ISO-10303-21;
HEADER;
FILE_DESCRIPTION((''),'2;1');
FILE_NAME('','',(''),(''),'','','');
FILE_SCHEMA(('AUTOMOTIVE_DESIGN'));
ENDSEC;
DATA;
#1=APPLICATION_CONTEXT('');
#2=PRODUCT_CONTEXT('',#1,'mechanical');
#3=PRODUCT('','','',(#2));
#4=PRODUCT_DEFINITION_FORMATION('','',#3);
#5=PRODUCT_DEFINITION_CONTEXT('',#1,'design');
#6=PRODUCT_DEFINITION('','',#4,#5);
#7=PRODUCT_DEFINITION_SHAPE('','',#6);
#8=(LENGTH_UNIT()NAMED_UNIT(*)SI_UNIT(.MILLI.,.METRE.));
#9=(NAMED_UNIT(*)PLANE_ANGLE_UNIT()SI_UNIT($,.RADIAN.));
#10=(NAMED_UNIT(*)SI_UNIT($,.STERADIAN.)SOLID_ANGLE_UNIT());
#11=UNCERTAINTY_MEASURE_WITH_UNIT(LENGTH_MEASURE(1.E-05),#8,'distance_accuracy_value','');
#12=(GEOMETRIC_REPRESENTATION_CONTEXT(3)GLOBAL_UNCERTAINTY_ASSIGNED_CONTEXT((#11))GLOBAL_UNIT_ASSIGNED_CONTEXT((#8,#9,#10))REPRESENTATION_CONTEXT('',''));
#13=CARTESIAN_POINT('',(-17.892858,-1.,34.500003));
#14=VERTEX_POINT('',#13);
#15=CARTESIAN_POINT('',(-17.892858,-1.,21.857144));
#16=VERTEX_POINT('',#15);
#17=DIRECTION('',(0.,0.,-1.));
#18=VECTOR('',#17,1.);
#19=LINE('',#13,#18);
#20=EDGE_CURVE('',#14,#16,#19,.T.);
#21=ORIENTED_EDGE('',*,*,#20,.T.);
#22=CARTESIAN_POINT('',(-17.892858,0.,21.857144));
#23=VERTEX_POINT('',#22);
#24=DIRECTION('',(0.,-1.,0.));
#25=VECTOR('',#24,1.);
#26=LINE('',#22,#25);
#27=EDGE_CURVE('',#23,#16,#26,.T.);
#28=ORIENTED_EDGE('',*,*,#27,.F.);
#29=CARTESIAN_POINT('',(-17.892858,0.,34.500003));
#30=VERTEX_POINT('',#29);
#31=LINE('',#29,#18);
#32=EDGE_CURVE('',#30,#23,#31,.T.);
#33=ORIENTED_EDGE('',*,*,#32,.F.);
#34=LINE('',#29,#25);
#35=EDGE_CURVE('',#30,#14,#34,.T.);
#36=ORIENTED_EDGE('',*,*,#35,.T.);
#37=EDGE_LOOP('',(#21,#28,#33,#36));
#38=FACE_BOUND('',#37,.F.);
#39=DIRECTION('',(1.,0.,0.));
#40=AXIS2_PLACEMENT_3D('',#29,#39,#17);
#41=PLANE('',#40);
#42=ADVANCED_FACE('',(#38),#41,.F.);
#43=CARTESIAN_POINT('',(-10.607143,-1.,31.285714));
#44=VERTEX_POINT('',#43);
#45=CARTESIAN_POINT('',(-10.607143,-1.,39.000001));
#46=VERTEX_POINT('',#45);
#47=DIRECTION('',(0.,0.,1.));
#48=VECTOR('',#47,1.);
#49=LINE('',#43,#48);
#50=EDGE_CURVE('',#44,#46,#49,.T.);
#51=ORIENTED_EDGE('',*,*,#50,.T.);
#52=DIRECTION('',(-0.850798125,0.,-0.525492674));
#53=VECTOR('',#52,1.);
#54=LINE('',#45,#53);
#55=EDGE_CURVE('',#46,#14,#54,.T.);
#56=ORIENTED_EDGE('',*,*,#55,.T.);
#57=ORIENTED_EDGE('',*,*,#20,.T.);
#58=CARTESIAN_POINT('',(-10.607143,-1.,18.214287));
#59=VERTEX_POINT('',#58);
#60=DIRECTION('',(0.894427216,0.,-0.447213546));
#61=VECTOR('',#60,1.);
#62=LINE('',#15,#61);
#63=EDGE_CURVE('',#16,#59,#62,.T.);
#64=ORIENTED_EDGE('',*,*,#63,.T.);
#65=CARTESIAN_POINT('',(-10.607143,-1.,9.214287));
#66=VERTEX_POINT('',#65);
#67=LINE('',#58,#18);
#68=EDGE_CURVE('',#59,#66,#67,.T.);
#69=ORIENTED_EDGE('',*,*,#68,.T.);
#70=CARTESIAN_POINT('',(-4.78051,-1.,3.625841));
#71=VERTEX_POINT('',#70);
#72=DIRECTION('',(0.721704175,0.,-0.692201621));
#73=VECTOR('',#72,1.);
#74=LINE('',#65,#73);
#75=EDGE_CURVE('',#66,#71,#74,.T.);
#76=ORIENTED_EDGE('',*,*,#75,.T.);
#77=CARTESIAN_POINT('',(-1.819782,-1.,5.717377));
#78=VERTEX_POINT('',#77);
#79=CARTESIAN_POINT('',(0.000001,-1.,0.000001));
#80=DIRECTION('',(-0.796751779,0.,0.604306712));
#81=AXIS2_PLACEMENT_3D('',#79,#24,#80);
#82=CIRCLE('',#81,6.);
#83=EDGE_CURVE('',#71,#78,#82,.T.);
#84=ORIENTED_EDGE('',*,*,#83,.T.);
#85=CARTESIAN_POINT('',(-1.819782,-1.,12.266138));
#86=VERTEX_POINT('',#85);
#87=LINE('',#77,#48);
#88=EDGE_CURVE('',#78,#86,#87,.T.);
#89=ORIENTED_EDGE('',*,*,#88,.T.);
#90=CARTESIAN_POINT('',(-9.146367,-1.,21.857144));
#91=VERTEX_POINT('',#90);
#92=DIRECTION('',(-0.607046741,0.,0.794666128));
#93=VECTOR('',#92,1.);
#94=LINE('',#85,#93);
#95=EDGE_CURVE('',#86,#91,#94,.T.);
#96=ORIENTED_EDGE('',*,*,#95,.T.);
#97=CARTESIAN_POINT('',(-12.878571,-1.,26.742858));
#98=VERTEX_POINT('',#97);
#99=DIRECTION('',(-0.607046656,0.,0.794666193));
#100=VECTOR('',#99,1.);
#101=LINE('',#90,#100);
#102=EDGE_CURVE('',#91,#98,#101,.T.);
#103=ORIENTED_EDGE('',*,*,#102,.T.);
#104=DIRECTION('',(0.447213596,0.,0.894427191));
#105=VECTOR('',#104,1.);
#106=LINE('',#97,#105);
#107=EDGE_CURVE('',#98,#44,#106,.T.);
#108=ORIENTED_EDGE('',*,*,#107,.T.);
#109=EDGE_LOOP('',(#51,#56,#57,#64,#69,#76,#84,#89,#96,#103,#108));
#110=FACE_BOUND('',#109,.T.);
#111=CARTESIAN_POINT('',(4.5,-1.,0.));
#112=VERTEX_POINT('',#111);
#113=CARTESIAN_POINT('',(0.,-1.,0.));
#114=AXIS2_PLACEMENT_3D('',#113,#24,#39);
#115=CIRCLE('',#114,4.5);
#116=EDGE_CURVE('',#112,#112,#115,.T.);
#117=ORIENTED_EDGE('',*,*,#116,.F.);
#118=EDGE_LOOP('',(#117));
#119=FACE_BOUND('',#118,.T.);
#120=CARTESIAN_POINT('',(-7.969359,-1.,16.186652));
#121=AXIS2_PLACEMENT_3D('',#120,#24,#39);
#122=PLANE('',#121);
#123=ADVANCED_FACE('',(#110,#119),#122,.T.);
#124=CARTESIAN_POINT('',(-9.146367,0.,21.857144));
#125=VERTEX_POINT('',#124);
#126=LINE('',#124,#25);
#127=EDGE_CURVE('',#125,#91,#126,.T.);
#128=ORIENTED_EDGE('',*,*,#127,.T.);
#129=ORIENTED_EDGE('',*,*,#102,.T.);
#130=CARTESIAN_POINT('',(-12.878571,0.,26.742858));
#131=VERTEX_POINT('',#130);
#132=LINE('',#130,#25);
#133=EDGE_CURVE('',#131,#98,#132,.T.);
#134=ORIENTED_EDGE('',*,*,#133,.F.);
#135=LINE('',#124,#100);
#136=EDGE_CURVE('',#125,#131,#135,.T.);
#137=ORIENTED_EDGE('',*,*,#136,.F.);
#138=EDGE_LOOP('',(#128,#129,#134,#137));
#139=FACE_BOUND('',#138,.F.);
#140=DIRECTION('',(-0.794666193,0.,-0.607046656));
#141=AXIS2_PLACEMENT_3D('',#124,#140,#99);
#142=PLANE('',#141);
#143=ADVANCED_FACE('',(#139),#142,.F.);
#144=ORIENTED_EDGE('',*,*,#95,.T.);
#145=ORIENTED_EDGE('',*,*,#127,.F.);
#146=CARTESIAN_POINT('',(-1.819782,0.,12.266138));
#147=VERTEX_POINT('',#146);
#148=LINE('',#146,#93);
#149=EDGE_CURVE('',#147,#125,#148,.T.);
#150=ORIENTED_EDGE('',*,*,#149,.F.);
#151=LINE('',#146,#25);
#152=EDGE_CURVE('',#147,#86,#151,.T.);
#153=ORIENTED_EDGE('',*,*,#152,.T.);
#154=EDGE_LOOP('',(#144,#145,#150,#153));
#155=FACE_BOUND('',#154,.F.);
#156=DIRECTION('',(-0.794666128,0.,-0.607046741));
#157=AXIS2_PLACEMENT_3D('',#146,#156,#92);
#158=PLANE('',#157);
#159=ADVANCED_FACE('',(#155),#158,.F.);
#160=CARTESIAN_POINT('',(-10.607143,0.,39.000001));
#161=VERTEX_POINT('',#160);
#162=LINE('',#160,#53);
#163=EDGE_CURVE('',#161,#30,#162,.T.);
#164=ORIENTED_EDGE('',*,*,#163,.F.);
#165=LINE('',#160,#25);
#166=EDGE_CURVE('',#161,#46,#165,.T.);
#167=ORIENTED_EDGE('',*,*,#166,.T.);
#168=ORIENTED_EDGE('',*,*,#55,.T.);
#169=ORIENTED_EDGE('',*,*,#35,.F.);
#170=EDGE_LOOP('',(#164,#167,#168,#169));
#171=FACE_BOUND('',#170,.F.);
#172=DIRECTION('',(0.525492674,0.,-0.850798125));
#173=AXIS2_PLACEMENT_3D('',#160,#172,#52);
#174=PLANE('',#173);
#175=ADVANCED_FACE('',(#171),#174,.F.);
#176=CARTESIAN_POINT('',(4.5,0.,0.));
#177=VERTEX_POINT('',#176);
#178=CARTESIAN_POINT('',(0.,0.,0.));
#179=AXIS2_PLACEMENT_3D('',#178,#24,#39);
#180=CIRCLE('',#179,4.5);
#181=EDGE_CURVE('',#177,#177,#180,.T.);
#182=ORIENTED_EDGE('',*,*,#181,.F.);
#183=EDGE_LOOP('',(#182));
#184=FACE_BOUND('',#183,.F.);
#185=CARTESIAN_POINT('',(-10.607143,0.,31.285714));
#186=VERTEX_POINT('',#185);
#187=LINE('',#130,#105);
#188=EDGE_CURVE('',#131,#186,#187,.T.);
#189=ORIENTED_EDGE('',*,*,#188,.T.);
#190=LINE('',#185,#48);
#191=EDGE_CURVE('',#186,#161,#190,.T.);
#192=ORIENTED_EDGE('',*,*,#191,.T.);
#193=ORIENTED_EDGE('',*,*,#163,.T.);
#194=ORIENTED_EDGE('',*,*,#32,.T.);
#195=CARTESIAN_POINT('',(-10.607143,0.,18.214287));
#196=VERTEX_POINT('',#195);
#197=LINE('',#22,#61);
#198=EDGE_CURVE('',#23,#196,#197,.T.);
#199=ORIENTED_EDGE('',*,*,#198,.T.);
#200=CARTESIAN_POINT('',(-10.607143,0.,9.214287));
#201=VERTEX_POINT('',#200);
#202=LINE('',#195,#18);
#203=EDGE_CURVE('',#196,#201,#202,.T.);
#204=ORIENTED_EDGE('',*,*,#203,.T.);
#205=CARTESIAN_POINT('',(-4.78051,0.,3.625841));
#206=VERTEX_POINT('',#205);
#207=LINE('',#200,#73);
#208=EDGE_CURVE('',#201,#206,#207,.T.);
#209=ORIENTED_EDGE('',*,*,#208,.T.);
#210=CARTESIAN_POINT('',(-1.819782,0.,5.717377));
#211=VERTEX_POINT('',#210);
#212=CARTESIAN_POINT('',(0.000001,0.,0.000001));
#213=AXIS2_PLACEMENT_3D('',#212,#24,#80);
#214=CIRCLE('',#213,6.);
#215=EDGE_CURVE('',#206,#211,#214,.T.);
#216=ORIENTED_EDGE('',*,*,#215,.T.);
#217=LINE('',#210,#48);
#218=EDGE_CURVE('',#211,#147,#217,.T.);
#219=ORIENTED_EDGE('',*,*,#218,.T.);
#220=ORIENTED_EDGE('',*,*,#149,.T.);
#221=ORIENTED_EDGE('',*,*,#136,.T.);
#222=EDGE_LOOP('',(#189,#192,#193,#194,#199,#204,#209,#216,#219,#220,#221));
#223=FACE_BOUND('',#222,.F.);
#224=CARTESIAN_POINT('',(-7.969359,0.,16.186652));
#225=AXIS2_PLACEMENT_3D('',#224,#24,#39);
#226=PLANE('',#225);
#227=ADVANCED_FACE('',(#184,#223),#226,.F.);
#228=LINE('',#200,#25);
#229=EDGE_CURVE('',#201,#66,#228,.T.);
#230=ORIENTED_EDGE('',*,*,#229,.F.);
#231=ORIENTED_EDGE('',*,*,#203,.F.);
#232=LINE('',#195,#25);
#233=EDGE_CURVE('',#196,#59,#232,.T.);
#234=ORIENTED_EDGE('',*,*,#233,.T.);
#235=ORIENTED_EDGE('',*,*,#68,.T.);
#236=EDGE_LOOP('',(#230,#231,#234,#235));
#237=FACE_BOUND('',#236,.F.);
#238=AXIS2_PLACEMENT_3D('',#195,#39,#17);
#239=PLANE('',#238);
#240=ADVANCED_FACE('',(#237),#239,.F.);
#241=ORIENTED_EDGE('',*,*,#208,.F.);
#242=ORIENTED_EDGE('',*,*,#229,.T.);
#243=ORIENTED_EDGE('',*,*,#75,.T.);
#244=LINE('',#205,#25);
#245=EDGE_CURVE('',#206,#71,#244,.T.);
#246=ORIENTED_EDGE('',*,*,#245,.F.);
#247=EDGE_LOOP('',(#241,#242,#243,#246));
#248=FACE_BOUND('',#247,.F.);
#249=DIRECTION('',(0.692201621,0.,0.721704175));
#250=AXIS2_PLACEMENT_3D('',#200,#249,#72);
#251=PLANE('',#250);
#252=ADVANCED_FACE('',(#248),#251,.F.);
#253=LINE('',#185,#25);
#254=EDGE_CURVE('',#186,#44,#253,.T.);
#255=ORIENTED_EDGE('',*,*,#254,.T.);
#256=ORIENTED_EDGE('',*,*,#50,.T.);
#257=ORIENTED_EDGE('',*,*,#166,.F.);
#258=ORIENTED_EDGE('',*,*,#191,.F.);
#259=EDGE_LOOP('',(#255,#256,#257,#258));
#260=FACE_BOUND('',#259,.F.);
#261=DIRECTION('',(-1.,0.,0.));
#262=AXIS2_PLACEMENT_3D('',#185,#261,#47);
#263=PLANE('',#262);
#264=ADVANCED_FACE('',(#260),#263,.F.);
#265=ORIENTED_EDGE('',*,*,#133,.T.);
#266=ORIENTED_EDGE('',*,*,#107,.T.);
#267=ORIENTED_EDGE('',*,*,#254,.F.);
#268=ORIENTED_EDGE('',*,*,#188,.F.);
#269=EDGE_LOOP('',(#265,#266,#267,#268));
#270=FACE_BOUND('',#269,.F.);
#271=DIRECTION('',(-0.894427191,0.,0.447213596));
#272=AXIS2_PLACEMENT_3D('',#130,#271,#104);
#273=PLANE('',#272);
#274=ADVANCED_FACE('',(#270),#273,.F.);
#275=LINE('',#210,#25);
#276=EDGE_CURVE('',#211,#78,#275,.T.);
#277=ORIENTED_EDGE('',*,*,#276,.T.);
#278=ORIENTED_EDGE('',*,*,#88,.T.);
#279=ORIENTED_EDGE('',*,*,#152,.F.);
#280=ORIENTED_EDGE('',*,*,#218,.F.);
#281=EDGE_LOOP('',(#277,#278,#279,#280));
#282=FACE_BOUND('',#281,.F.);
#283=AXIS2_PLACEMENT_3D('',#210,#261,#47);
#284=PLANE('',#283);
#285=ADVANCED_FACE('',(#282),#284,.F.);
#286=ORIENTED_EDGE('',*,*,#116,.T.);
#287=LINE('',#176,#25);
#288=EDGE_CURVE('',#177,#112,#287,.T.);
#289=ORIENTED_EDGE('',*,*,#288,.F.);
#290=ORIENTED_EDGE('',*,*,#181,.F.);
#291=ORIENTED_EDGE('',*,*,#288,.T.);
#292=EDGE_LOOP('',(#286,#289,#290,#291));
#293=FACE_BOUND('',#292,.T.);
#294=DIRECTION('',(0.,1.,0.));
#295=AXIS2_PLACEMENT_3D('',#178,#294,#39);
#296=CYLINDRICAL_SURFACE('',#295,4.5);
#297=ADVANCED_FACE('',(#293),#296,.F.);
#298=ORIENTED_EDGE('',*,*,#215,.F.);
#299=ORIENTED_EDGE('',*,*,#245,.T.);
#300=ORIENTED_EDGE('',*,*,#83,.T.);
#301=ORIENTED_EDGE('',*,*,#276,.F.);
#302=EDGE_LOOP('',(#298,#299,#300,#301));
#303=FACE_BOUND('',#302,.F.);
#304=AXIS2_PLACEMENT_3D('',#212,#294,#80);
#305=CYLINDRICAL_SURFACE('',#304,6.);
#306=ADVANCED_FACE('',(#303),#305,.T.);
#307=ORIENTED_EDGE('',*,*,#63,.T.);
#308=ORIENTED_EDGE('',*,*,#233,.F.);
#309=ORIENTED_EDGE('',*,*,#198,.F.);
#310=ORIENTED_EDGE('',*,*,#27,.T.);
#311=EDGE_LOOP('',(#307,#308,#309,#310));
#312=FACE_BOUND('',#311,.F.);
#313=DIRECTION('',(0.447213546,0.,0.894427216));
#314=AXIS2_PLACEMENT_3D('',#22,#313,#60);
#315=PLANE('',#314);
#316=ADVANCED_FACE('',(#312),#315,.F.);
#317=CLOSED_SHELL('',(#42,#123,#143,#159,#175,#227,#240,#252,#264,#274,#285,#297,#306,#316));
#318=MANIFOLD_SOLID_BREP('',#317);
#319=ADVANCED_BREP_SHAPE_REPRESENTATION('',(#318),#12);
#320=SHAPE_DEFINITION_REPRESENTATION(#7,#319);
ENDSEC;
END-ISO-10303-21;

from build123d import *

# Parameters (mm, degrees)
F0_R     = 4.5
F1_DEPTH = 1


with BuildPart() as f1:
    # F0 (on Front) → F1 (new body)
    with BuildSketch(Plane.XZ):
        with BuildLine():
            Line((-10.607143, 9.214287), (-4.78051, 3.625841))
            ThreePointArc((-4.78051, 3.625841), (3.461877, -4.900552), (-1.819782, 5.717377))
            Line((-1.819782, 5.717377), (-1.819782, 12.266138))
            Line((-1.819782, 12.266138), (-9.146367, 21.857144))
            Line((-9.146367, 21.857144), (-12.878571, 26.742858))
            Line((-12.878571, 26.742858), (-10.607143, 31.285714))
            Line((-10.607143, 31.285714), (-10.607143, 39.000001))
            Line((-10.607143, 39.000001), (-17.892858, 34.500003))
            Line((-17.892858, 34.500003), (-17.892858, 21.857144))
            Line((-17.892858, 21.857144), (-10.607143, 18.214287))
            Line((-10.607143, 18.214287), (-10.607143, 9.214287))
        make_face()
        Circle(F0_R, mode=Mode.SUBTRACT)
    extrude(amount=F1_DEPTH)


solid = f1.part
